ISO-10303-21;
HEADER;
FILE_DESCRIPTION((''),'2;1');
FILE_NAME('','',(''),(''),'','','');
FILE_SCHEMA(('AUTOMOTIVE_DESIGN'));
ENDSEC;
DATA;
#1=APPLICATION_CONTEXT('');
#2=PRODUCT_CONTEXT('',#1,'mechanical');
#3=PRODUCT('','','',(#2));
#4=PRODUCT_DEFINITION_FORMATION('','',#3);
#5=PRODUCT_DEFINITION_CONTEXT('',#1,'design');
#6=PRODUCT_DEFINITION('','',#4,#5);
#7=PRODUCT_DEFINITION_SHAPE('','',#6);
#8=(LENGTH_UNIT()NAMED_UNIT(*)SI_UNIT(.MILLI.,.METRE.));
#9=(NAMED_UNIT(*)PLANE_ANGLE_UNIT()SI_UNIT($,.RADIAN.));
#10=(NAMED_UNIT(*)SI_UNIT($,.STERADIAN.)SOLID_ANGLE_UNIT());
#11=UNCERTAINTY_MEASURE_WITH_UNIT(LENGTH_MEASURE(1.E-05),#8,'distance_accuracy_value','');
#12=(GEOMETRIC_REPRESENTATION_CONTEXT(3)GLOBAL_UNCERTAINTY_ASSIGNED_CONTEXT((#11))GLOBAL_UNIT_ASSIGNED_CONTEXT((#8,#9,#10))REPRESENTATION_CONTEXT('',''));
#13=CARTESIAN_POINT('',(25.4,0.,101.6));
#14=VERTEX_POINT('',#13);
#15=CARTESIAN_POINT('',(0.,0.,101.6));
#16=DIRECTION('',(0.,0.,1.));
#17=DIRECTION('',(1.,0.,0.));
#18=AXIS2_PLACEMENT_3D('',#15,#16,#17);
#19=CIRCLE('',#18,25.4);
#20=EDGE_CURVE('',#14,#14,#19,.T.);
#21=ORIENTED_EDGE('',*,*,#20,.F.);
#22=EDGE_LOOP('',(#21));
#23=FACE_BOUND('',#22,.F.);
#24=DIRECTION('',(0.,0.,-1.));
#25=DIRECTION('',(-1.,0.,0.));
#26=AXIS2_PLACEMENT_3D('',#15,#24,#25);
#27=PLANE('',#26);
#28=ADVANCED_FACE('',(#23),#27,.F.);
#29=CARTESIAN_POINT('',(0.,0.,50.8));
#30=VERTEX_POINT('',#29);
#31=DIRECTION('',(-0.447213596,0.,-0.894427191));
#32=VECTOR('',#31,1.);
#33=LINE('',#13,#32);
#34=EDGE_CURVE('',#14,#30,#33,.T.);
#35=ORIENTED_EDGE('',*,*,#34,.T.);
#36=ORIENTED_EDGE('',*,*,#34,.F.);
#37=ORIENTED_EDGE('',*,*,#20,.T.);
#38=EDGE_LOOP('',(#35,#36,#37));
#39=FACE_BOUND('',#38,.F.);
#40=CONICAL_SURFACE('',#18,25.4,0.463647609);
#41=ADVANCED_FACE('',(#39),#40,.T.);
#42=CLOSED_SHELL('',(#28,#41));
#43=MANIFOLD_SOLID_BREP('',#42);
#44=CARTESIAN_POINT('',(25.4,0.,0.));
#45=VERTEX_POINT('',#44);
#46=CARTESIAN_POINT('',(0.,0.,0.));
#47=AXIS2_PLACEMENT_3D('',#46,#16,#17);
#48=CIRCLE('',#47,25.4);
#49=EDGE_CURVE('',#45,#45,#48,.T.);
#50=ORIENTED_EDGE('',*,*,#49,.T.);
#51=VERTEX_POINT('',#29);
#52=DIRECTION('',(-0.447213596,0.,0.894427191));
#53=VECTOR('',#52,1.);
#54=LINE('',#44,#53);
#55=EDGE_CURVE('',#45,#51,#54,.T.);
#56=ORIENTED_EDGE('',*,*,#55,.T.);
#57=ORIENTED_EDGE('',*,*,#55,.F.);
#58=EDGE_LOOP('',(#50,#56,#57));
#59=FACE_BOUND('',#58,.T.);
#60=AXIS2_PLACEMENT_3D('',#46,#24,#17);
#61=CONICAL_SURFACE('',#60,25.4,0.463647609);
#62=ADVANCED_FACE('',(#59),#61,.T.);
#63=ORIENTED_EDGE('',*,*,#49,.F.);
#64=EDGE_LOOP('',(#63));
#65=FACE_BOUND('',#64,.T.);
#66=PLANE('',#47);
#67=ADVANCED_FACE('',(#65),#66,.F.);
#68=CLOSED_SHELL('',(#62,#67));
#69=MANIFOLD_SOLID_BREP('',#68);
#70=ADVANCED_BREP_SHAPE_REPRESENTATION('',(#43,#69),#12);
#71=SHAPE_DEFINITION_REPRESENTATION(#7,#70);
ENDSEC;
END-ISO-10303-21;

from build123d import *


with BuildPart() as f1:
    # F0 (on Front) → F1 (revolve)
    with BuildSketch(Plane.XZ):
        Polygon((0, 50.8), (0, 0), (25.4, 0), align=None)
    revolve(axis=Axis((0, 0, 25.4), (0, 0, 1)))


with BuildPart() as f3_1:
    # F3: instance of F1
    add(f1.part.mirror(Plane.XY.offset(50.8)))


solid = Compound([f1.part, f3_1.part])
